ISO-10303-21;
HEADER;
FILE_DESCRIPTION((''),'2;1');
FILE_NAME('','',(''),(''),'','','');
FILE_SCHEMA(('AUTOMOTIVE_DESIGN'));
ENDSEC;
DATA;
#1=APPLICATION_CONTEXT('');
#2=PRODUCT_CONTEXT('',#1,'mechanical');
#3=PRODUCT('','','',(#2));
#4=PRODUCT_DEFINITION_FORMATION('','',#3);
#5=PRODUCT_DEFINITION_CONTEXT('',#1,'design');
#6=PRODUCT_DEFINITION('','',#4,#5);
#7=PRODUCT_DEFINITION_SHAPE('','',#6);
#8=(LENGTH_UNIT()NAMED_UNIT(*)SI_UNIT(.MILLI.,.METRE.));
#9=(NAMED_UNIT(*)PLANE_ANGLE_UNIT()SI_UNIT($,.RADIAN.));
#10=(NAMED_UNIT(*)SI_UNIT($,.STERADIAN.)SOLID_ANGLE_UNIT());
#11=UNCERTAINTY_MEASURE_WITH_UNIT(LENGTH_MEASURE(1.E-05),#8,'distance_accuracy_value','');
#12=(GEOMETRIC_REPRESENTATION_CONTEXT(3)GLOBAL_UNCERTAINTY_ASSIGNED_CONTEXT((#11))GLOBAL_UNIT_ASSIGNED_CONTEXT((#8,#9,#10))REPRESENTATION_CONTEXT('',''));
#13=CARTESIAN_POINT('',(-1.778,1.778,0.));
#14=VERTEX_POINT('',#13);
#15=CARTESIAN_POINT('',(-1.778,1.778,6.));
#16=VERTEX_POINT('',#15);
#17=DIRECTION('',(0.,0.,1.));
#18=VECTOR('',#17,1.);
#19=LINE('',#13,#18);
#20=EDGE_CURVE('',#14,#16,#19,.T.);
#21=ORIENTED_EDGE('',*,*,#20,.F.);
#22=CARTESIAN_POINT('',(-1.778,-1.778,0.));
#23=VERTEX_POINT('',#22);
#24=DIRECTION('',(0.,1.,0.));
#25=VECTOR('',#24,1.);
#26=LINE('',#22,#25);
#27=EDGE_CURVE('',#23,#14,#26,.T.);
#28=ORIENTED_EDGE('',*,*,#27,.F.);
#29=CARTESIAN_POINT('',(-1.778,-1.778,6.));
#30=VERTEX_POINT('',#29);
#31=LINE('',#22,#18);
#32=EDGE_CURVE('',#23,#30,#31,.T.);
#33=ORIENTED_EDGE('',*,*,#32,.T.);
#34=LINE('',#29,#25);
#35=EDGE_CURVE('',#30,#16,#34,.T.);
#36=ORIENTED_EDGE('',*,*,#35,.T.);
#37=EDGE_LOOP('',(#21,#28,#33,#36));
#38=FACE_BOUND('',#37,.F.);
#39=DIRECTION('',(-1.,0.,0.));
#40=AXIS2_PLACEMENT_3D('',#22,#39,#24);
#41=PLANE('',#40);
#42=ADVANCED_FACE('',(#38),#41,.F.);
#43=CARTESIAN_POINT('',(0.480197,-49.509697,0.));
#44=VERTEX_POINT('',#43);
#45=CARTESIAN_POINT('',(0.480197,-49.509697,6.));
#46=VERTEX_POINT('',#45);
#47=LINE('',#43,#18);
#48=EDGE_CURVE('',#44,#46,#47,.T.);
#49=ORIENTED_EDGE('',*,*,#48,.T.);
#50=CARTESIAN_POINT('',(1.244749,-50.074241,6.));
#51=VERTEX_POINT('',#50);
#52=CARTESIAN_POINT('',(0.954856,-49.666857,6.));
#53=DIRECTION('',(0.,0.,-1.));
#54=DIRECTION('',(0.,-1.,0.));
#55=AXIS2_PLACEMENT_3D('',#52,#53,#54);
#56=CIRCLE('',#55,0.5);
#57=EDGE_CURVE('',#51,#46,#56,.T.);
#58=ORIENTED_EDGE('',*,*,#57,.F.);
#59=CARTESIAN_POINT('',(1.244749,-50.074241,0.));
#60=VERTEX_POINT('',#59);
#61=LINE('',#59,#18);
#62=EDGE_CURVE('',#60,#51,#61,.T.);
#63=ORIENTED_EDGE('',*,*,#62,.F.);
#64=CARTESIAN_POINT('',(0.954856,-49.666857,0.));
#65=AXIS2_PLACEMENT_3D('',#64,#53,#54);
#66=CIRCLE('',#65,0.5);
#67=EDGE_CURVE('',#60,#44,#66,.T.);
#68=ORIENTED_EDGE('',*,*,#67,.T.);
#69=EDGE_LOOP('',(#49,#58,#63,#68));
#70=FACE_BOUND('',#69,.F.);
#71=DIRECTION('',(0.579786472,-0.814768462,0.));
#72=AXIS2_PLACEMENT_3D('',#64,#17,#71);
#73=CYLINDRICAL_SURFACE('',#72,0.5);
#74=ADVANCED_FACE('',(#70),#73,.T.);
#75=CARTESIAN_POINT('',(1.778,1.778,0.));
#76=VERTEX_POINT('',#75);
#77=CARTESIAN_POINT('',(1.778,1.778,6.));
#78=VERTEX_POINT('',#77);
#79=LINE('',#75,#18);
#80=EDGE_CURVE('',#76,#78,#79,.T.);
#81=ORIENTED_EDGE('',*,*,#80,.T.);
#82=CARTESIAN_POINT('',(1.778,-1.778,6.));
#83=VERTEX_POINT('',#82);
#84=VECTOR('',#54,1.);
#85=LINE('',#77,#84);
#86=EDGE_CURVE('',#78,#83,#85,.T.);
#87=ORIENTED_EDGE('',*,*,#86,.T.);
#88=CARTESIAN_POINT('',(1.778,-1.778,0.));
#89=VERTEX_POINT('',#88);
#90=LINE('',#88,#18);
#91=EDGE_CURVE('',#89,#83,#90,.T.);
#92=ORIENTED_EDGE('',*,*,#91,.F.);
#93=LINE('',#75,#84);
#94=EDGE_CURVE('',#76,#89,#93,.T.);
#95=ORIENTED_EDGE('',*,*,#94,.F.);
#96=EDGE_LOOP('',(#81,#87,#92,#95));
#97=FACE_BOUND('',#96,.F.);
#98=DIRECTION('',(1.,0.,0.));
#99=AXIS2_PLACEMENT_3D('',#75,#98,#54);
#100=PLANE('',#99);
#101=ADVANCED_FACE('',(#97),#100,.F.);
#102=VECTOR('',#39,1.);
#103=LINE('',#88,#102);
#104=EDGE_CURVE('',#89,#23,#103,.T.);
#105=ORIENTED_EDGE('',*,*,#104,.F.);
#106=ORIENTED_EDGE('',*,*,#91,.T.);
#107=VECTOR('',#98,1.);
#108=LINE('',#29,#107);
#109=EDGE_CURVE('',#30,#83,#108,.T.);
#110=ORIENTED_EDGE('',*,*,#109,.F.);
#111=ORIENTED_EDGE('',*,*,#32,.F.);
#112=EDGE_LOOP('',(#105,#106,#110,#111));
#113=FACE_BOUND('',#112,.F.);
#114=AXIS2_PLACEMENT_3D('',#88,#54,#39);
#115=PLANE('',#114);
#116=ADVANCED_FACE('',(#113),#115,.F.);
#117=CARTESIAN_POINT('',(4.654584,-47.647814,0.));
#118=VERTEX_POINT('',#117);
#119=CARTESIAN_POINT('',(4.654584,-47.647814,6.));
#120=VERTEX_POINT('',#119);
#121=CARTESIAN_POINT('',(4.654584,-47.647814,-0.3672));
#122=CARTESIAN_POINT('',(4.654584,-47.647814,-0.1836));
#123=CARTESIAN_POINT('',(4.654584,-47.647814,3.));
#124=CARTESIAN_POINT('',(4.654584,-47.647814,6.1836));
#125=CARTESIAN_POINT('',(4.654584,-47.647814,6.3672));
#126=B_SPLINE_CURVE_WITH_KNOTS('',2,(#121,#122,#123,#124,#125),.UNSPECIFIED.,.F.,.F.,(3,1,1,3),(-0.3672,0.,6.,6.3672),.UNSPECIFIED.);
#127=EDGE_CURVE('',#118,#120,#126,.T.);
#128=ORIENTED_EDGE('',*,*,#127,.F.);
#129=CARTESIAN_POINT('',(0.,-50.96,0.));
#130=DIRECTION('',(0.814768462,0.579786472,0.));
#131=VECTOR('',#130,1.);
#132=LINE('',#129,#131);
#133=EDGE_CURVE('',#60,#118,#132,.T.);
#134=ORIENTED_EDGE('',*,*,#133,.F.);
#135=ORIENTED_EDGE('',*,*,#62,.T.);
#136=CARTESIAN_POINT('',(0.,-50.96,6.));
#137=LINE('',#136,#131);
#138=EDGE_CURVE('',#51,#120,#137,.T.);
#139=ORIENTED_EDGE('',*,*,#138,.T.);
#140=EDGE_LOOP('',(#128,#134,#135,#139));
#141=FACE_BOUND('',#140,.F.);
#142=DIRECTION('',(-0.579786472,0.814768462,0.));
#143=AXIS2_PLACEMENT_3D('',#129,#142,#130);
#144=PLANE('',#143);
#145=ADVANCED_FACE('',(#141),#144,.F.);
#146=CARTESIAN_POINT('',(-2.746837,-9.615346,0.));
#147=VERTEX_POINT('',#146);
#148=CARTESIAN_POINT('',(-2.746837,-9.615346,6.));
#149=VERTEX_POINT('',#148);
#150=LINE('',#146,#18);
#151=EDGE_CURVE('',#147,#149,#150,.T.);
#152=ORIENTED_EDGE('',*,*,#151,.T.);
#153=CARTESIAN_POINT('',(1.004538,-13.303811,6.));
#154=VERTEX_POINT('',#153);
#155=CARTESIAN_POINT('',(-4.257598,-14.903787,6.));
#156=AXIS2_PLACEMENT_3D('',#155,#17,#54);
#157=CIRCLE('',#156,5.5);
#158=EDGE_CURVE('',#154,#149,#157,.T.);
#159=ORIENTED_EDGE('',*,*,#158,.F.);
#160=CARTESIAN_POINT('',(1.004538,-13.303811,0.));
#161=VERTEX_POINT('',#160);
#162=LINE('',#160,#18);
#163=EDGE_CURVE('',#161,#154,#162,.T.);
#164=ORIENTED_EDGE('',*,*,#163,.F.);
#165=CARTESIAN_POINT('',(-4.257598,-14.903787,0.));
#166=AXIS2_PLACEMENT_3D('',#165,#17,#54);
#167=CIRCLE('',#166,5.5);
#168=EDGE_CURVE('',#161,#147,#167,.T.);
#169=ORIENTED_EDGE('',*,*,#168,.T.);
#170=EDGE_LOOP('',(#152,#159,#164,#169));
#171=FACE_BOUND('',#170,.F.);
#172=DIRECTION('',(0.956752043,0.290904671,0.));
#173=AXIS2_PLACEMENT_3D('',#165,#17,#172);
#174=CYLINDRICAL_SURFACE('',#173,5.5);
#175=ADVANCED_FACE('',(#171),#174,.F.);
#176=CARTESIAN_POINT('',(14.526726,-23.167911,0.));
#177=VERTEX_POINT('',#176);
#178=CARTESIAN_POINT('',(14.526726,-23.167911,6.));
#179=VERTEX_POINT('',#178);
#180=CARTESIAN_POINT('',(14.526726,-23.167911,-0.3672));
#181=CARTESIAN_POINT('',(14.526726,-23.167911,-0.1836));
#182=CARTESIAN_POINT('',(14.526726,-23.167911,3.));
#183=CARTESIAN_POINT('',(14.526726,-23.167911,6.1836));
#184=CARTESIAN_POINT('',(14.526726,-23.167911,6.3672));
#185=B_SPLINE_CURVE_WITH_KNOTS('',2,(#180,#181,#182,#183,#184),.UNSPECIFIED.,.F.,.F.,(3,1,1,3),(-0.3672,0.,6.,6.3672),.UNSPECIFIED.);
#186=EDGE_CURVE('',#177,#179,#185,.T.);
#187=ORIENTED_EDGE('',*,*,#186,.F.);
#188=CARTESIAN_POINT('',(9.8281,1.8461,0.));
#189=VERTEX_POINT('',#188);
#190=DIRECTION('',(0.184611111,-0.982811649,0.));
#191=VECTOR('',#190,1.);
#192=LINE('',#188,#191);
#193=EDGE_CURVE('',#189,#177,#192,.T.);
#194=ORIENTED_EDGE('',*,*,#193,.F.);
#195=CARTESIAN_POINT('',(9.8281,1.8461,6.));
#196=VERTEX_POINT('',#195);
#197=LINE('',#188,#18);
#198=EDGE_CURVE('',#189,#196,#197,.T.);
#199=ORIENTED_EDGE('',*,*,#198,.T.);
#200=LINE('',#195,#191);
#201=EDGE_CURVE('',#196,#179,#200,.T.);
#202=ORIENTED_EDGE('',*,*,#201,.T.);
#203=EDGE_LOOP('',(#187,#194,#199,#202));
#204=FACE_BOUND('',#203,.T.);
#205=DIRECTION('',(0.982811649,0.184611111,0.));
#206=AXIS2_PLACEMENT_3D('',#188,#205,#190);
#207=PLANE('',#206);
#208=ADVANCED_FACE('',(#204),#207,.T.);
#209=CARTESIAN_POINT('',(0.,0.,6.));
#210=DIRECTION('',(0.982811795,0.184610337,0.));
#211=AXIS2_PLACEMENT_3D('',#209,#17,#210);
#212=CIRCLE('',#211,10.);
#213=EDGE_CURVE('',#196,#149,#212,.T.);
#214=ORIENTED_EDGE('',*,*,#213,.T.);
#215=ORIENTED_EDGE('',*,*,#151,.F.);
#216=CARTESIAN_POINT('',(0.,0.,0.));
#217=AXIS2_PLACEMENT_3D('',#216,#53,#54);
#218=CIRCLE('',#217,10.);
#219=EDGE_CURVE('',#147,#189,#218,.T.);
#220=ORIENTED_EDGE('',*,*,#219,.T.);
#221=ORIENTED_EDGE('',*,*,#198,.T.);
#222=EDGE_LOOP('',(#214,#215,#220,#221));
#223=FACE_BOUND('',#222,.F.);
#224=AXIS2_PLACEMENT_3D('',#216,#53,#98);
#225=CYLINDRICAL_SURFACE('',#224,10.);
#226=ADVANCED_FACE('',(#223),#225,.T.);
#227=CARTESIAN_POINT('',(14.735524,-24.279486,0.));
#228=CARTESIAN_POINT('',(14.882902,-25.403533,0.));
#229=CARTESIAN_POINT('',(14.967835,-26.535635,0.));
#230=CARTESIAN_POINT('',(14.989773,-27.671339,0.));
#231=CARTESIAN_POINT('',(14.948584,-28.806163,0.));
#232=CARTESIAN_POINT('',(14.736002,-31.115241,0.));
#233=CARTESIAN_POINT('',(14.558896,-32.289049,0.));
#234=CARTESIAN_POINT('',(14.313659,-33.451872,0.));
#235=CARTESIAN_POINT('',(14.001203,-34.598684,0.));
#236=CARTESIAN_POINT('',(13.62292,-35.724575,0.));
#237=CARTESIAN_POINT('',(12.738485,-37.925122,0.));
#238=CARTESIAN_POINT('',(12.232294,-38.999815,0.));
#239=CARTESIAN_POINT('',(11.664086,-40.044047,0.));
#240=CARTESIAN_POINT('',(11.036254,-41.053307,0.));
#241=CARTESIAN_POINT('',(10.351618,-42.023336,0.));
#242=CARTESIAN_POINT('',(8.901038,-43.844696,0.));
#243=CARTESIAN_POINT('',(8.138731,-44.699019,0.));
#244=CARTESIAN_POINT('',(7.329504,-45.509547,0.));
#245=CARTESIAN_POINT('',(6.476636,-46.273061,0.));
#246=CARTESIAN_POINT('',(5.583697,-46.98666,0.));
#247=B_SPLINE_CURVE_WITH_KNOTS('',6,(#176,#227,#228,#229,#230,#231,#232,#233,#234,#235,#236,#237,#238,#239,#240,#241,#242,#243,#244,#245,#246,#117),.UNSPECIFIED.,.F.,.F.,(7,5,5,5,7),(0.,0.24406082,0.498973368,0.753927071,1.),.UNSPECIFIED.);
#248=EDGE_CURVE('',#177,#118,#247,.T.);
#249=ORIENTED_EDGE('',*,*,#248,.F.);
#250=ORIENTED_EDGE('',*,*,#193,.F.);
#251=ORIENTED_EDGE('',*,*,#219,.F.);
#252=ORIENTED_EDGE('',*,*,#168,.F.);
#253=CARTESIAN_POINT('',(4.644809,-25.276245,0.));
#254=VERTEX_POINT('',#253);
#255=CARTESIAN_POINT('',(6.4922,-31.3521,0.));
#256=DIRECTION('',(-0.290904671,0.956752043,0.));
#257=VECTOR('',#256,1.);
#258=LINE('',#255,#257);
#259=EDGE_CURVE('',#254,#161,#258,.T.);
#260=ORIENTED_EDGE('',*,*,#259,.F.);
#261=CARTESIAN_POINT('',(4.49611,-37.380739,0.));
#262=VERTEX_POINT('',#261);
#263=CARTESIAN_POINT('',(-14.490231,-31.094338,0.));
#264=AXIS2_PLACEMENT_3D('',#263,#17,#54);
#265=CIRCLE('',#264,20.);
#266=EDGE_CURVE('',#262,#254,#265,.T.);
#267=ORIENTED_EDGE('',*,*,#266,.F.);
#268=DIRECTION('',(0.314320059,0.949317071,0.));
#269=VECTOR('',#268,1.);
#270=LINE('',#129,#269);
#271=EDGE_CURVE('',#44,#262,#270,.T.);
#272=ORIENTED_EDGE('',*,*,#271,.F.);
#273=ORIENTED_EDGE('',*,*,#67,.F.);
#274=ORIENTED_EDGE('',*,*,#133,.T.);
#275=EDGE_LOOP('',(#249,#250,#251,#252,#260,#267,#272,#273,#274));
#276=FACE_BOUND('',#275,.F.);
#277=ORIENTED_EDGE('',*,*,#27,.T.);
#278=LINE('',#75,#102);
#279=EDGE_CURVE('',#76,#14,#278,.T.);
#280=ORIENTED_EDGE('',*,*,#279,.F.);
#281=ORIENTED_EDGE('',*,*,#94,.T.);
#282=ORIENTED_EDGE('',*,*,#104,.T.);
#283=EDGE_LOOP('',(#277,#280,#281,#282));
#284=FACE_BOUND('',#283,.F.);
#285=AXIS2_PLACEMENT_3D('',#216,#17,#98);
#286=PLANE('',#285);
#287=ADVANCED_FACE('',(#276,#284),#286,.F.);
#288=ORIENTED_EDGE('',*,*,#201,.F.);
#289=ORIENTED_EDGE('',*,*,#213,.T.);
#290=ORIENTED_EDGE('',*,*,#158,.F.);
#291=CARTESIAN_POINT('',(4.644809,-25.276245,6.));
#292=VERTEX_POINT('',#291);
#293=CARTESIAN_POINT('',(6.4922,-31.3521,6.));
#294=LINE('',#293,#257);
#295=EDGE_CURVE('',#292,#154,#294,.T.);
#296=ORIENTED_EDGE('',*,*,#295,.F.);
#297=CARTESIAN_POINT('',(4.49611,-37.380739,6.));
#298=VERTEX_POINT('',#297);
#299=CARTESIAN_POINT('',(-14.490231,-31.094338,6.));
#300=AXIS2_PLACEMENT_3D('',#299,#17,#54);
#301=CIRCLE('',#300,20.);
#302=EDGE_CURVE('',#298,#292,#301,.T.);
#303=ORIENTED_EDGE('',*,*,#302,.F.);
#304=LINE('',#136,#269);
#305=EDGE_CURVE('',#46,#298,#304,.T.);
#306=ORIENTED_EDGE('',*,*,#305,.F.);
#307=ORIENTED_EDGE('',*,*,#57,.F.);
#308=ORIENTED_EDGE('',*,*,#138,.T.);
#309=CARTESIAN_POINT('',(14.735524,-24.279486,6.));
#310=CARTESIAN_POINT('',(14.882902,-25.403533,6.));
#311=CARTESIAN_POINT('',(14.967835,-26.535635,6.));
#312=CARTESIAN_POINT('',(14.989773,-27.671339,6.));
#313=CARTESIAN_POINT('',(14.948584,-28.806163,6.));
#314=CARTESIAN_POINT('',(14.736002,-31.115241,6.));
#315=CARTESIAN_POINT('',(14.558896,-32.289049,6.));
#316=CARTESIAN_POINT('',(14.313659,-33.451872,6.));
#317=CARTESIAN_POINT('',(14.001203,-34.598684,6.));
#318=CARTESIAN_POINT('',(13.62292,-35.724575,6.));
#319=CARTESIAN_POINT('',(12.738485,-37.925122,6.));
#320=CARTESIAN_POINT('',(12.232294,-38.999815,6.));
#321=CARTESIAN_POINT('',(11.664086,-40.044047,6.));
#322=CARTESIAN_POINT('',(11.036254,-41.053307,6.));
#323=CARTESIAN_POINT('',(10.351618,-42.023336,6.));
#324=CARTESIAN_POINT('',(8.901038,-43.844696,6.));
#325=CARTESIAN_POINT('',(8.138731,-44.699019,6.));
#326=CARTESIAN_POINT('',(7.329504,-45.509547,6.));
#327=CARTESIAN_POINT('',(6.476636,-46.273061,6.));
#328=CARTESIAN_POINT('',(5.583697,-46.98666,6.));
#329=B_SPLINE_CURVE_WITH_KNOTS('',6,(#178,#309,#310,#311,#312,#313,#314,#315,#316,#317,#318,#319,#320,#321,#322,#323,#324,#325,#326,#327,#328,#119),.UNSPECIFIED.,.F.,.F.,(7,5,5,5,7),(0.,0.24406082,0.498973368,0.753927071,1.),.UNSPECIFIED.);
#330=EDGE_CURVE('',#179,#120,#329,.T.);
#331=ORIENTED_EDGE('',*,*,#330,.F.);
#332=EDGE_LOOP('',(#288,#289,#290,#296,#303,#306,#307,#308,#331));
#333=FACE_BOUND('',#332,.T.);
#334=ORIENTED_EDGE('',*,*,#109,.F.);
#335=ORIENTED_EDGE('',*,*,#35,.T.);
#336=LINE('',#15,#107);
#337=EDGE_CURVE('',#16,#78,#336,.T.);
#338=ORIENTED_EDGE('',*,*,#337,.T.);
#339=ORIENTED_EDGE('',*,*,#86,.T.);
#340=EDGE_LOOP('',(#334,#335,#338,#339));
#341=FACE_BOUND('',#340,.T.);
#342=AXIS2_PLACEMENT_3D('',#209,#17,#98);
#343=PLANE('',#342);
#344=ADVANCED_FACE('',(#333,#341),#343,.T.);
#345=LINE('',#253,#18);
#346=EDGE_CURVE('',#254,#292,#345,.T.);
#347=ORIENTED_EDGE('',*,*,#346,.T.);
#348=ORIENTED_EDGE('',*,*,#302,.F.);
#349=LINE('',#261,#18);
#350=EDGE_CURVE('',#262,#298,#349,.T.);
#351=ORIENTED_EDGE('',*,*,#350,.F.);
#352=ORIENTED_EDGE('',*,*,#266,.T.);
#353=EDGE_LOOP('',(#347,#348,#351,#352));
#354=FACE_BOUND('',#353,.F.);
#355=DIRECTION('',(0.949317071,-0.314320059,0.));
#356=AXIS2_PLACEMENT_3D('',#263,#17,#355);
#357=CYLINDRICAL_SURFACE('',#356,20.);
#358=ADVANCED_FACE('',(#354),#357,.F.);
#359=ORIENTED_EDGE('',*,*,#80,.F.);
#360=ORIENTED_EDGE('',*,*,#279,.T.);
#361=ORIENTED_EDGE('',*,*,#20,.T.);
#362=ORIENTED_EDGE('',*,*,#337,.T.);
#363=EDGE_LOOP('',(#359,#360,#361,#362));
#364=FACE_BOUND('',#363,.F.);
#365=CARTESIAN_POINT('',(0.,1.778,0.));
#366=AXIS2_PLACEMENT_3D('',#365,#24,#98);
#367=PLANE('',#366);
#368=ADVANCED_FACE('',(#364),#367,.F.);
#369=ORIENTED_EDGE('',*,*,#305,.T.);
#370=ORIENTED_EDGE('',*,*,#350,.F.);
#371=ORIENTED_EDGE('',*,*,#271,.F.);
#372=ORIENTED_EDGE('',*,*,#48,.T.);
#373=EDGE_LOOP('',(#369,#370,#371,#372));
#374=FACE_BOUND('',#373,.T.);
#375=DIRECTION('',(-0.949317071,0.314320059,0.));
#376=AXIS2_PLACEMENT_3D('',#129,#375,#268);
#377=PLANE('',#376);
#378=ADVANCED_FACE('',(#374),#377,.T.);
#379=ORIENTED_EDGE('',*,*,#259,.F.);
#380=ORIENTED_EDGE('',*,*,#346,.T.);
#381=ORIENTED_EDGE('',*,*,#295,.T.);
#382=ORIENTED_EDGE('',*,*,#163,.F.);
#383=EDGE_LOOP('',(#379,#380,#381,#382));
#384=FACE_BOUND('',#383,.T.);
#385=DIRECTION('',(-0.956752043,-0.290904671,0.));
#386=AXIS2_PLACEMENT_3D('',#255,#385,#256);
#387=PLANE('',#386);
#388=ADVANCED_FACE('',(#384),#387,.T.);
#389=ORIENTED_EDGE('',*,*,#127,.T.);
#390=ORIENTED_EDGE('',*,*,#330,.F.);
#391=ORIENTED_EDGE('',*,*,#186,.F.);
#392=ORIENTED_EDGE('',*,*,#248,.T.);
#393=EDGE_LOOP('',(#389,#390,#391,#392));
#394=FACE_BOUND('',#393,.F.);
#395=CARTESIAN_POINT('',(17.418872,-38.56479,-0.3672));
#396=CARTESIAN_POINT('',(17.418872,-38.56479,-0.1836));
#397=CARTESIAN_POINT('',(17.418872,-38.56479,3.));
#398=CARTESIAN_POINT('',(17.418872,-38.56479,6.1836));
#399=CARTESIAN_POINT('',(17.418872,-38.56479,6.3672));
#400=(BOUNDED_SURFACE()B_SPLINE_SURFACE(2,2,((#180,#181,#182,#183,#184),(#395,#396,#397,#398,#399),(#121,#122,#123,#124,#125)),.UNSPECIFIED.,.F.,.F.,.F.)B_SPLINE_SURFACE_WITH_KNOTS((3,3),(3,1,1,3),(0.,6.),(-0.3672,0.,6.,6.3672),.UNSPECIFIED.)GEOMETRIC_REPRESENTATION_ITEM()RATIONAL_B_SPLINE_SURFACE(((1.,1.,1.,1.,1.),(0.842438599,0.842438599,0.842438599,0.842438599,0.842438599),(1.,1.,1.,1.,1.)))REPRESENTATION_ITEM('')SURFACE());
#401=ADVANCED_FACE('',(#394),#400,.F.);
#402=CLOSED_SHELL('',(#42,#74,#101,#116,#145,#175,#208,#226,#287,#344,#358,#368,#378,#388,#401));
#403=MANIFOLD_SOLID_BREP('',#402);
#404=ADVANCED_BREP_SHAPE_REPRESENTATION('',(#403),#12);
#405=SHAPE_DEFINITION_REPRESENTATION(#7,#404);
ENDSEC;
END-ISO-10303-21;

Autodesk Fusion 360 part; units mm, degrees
sketch "Sketch1" plane through (0, 0, 0) normal (0, 0, 1) x (1, 0, 0)
  circle A0 centre (0, 0) radius 10
  line L0 (-1.778, 1.778) -> (1.778, 1.778)
  line L1 (1.778, 1.778) -> (1.778, -1.778)
  line L2 (1.778, -1.778) -> (-1.778, -1.778)
  line L3 (-1.778, -1.778) -> (-1.778, 1.778)
  line L4 (-1.778, 1.778) -> (1.778, -1.778) construction
  line L5 (1.778, 1.778) -> (-1.778, -1.778) construction
  line L6 (0, 10) -> (0, -50.96)
  line L7 (0, -50.96) -> (11.2783, -42.9344)
  line L8 (0, -50.96) -> (6.4922, -31.3521)
  line L9 (9.8281, 1.8461) -> (16.0511, -31.2832)
  line L10 (11.2783, -42.9344) -> (16.0511, -31.2832)
  line L11 (6.4922, -31.3521) -> (0, -10)
  point P0 (-10, 0)
  point P1 (0, 10)
  dimension "d1" = 20
  dimension "d5" = 3.556
  dimension "d14" = 60.96
extrude "Extrude1" add sketch "Sketch1" along normal blind 6 contours A0 L0 L1 L2 L6 | A0 L7 L8 L9 L10 L11 | A0 L0 L2 L3 L6
fillet "Fillet5" radius 24.5 2 edges at (16.0511, -31.2832, 3) (11.2783, -42.9344, 3)
fillet "Fillet6" radius 0.5 1 edges at (0, -50.96, 3)
fillet "Fillet7" radius 20 1 edges at (6.4922, -31.3521, 3)
fillet "Fillet8" radius 5.5 1 edges at (0, -10, 3)
